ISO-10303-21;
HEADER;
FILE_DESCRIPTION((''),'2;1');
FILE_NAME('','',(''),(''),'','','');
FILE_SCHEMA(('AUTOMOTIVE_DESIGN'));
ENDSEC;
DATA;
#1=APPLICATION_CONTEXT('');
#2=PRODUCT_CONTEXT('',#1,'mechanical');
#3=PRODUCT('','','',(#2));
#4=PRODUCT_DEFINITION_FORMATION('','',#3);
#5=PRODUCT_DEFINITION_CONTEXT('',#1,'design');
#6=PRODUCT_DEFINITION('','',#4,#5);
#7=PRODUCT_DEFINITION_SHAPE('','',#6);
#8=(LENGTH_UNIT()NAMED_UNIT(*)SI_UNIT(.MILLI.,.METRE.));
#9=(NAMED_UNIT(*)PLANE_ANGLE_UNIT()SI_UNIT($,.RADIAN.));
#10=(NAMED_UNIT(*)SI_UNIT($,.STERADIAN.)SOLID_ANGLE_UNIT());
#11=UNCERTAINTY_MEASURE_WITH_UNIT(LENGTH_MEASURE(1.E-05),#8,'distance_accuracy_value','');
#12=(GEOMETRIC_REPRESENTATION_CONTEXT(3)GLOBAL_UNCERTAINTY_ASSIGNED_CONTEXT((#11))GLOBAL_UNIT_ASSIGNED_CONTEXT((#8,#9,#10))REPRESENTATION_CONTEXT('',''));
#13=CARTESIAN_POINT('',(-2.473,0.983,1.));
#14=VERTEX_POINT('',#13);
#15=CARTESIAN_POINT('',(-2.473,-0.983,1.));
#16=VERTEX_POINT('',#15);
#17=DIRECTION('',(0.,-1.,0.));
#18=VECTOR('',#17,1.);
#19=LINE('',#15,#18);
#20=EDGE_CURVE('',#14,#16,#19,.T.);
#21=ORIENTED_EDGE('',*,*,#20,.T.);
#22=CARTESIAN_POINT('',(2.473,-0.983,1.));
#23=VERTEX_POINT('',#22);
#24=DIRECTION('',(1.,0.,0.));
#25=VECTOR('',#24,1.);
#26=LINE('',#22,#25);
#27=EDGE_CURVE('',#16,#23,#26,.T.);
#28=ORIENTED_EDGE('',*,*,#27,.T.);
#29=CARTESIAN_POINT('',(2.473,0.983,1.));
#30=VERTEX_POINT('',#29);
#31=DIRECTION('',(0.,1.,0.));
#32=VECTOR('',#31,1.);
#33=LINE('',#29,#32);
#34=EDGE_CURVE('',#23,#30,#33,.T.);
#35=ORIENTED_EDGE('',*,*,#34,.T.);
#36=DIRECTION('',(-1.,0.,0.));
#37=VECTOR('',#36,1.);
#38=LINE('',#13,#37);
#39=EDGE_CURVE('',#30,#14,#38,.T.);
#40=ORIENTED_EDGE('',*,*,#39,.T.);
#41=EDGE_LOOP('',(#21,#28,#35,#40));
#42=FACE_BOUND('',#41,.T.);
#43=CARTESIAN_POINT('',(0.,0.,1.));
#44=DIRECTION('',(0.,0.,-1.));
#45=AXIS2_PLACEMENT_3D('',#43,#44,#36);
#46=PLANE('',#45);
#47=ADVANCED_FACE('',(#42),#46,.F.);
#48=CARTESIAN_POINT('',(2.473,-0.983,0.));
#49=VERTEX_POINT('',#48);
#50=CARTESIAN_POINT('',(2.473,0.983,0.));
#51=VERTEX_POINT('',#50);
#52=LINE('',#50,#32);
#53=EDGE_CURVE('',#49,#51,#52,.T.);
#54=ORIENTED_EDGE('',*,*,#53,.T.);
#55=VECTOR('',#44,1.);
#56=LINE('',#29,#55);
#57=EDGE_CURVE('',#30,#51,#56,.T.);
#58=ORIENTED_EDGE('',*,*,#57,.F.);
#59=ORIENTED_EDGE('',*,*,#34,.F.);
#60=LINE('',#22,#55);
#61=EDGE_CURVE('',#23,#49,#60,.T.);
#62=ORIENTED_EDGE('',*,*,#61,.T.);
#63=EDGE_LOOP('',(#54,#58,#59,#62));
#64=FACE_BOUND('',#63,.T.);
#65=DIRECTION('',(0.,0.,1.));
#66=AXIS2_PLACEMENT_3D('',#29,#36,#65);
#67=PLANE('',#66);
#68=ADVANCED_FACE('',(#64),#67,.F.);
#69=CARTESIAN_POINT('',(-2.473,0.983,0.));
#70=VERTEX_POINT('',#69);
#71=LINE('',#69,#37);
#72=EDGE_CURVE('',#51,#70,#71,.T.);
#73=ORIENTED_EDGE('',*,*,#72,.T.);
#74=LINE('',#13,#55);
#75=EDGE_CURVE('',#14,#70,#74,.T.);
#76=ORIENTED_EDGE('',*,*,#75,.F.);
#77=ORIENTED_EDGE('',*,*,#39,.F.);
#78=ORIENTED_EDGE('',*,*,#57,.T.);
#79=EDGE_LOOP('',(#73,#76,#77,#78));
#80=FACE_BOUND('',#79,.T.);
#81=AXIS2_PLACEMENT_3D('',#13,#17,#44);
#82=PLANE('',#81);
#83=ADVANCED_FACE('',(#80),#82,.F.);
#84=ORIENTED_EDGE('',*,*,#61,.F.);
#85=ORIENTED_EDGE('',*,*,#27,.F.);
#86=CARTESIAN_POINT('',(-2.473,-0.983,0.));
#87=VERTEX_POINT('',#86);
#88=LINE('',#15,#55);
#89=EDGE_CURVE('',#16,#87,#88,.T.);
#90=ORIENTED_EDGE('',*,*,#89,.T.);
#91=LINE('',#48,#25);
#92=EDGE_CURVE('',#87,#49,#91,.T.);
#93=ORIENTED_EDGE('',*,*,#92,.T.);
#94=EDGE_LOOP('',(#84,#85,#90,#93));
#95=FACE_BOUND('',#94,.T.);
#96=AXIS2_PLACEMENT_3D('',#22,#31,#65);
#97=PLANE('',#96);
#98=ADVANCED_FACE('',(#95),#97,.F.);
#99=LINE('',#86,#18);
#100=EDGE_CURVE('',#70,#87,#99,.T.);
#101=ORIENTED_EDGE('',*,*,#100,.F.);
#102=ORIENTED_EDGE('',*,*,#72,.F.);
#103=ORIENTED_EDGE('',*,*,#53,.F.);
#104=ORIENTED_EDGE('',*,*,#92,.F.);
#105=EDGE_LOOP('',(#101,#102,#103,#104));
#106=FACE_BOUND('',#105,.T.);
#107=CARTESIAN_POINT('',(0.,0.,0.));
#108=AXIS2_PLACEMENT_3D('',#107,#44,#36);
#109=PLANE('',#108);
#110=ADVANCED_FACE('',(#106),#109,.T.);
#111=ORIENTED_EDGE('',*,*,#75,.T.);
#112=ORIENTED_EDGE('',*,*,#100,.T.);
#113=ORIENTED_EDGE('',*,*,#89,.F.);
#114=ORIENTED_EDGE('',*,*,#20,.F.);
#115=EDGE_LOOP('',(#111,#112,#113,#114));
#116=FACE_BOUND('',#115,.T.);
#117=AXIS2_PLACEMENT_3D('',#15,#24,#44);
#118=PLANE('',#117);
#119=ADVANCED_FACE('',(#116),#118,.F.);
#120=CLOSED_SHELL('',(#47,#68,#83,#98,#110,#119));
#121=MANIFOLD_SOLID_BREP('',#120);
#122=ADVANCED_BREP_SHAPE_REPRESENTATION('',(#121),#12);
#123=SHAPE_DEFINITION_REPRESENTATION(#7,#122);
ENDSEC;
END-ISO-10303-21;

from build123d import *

# Parameters (mm, degrees)
SKIZZE1_W               = 4.946
SKIZZE1_H               = 1.966
COMPONENT_OUTLINE_DEPTH = 1


with BuildPart() as part:
    # Skizze1 → Component_Outline (new body)
    with BuildSketch(Plane.XY):
        Rectangle(SKIZZE1_W, SKIZZE1_H)
    extrude(amount=COMPONENT_OUTLINE_DEPTH)


solid = part.part
